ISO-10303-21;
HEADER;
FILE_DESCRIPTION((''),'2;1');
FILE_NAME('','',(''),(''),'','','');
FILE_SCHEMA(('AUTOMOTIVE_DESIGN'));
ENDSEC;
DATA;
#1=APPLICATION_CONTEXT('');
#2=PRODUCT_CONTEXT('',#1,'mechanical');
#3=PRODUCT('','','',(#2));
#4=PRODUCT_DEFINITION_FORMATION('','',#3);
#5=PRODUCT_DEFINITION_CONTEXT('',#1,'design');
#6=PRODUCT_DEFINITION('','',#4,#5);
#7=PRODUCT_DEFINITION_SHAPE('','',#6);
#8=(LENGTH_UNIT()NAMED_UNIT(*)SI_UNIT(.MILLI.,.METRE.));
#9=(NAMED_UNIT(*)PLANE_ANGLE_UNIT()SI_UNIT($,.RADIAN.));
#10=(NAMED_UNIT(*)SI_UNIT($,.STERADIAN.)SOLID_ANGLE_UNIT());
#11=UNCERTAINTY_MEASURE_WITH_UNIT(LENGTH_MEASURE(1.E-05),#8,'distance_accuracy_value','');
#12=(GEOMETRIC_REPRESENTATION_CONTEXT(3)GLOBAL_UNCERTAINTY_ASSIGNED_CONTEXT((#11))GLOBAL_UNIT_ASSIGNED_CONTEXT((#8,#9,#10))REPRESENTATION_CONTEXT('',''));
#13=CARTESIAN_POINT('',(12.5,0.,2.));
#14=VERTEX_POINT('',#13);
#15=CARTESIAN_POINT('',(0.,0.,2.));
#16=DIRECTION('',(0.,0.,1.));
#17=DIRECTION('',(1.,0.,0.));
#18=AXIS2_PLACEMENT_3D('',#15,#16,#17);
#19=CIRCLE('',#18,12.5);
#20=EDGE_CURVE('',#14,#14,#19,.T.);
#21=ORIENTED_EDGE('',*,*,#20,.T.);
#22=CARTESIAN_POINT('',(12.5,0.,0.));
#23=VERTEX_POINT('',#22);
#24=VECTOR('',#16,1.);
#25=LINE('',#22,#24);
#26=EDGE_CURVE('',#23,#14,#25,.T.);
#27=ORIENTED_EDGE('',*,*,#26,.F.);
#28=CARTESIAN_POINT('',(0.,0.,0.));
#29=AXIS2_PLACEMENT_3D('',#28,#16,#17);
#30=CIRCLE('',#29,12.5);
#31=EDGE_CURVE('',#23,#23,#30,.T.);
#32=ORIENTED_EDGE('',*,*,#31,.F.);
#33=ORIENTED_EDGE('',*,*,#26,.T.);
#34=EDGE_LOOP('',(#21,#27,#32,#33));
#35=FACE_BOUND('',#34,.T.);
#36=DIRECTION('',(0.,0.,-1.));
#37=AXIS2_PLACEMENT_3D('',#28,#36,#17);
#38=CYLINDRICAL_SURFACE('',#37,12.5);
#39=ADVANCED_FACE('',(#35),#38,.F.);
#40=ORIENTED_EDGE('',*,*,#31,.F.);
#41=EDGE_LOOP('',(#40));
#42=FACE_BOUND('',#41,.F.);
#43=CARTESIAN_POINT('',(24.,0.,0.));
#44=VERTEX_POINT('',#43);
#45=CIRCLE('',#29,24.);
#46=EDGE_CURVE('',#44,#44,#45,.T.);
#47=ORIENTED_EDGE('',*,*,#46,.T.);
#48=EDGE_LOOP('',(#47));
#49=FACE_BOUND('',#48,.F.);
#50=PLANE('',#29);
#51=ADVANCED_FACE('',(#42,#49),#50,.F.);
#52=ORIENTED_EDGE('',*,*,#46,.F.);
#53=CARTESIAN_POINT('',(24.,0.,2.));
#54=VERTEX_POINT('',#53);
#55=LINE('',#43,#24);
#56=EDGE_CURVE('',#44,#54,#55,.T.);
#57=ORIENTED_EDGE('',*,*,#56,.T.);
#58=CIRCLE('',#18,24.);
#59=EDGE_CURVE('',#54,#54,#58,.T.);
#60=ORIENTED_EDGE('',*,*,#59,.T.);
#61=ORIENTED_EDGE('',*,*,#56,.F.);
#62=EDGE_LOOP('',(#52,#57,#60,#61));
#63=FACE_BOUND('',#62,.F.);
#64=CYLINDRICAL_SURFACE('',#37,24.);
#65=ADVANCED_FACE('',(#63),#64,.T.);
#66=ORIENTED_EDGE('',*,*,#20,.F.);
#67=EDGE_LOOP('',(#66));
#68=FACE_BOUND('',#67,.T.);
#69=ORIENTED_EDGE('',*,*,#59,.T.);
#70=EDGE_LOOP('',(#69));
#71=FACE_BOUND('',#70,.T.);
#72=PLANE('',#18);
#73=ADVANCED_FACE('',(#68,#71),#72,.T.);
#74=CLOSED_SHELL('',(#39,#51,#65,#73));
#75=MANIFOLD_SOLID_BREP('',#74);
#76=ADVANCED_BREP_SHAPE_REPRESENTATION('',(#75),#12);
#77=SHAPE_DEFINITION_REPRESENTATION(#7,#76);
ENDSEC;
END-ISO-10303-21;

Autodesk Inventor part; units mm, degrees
ref_plane "YZ Plane" through (0, 0, 0) normal (1, 0, 0) x (0, 1, 0)
ref_plane "XZ Plane" through (0, 0, 0) normal (0, 1, 0) x (-1, 0, 0)
ref_plane "XY Plane" through (0, 0, 0) normal (0, 0, 1) x (1, 0, 0)
sketch "Эскиз1" plane through (0, 0, 0) normal (0, 0, 1) x (1, 0, 0)
  circle A0 centre (0, 0) radius 12.5
  circle A1 centre (0, 0) radius 24
  dimension "d0" = 25
  dimension "d1" = 48
extrude "Выдавливание1" add sketch "Эскиз1" along normal blind 2
properties part number "Для регулировки 2" material "Сталь, высокопрочная, низколегированная"
